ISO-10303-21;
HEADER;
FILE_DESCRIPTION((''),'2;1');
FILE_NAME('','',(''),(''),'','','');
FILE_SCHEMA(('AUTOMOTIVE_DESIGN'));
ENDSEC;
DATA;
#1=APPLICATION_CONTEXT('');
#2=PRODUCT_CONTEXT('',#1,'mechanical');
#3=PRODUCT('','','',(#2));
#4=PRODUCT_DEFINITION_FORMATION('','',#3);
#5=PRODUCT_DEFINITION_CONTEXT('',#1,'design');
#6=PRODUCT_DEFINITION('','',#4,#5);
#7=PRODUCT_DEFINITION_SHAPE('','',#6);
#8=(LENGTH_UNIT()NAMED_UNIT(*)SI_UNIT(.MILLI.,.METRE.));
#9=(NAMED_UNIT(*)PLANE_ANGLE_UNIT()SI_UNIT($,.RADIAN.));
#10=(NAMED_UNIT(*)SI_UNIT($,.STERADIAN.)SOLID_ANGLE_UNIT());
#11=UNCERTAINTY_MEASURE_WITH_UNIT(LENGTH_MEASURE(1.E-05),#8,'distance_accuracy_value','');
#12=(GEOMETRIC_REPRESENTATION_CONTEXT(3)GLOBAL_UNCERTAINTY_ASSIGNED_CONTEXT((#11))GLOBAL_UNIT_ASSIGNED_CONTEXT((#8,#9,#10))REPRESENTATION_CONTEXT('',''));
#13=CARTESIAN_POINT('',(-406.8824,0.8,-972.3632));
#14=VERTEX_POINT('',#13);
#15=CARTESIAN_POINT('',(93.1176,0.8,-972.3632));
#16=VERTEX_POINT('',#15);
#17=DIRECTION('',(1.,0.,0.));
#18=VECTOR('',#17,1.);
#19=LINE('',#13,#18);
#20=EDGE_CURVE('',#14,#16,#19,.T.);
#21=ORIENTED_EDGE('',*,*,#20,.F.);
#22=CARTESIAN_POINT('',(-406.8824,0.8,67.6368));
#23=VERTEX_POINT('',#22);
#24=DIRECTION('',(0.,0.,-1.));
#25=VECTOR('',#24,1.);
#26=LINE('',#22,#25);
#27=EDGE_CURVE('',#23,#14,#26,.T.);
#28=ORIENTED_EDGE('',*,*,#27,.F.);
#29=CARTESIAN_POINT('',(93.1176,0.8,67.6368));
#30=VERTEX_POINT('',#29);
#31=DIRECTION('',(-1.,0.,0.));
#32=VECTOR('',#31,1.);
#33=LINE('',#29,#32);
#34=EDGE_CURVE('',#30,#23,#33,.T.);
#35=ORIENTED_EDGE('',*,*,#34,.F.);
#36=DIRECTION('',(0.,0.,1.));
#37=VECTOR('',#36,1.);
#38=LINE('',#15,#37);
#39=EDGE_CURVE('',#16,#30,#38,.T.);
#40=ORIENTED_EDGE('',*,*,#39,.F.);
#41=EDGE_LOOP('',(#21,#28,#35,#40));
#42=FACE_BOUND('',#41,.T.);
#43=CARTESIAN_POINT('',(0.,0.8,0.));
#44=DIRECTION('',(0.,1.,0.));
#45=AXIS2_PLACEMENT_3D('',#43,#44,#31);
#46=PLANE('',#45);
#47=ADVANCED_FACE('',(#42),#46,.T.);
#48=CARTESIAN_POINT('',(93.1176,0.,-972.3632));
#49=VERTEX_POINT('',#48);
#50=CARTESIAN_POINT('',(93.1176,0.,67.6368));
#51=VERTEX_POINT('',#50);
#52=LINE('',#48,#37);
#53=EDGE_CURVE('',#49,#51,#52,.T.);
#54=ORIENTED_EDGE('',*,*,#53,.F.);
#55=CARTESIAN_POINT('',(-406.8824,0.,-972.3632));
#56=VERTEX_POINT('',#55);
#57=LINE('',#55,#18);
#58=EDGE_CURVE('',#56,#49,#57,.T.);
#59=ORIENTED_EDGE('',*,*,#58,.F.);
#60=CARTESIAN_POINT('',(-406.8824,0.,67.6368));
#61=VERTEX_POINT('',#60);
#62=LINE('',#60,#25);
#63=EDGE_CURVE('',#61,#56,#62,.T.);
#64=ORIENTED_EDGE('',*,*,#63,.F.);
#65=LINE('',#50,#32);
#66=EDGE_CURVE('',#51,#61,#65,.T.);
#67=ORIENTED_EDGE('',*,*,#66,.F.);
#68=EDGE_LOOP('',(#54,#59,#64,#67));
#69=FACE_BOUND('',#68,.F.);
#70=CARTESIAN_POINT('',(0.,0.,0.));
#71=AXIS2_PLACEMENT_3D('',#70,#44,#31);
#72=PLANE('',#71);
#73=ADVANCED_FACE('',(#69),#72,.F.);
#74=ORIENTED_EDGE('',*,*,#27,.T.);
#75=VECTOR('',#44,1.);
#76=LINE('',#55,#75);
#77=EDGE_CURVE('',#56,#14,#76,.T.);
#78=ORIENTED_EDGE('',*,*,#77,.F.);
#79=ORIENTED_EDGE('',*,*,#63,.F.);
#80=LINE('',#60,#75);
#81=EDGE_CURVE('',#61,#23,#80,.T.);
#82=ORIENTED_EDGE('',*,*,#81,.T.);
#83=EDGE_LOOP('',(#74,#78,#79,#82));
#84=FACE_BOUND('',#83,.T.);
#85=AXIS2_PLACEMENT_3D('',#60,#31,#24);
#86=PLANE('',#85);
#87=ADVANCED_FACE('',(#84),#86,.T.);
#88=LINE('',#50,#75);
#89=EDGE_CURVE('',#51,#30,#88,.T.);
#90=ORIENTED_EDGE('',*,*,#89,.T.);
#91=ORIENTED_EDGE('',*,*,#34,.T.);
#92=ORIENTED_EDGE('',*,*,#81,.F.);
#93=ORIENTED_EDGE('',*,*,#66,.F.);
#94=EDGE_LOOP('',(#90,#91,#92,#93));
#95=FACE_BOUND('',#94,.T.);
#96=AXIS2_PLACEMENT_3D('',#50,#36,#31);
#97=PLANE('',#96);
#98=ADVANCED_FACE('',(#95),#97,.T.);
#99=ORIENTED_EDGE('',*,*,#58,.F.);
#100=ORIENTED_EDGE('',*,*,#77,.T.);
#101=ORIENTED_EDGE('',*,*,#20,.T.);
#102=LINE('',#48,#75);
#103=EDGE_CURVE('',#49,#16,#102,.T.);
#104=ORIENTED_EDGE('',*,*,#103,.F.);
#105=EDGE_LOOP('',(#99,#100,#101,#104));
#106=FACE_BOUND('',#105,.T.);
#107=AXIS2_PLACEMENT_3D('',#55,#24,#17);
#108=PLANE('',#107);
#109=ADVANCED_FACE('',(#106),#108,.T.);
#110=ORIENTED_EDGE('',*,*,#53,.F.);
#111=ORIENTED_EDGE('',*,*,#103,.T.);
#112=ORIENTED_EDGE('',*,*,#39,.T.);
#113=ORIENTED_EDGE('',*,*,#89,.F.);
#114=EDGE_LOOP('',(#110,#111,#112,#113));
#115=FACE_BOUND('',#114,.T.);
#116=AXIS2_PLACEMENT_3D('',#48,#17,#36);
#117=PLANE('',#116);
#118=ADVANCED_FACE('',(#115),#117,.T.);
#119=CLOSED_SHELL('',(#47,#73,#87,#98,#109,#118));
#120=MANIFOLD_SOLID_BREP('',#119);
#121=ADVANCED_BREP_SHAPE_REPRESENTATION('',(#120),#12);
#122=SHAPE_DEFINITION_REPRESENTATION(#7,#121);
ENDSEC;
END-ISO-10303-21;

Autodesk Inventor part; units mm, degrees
ref_plane "YZ Plane" through (0, 0, 0) normal (1, 0, 0) x (0, 1, 0)
ref_plane "XZ Plane" through (0, 0, 0) normal (0, 1, 0) x (-1, 0, 0)
ref_plane "XY Plane" through (0, 0, 0) normal (0, 0, 1) x (1, 0, 0)
sketch "Sketch1" plane through (0, 0, 0) normal (0, 1, 0) x (-1, 0, 0)
  line L0 (-93.1176, 67.6368) -> (406.8824, 67.6368)
  line L1 (406.8824, 67.6368) -> (406.8824, -972.3632)
  line L2 (406.8824, -972.3632) -> (-93.1176, -972.3632)
  line L3 (-93.1176, -972.3632) -> (-93.1176, 67.6368)
  point P0 (0, 0)
  dimension "d0" = 500
  dimension "d1" = 1040
extrude "Extrusion1" add sketch "Sketch1" along normal blind 0.8
properties part number "side500x1040"
